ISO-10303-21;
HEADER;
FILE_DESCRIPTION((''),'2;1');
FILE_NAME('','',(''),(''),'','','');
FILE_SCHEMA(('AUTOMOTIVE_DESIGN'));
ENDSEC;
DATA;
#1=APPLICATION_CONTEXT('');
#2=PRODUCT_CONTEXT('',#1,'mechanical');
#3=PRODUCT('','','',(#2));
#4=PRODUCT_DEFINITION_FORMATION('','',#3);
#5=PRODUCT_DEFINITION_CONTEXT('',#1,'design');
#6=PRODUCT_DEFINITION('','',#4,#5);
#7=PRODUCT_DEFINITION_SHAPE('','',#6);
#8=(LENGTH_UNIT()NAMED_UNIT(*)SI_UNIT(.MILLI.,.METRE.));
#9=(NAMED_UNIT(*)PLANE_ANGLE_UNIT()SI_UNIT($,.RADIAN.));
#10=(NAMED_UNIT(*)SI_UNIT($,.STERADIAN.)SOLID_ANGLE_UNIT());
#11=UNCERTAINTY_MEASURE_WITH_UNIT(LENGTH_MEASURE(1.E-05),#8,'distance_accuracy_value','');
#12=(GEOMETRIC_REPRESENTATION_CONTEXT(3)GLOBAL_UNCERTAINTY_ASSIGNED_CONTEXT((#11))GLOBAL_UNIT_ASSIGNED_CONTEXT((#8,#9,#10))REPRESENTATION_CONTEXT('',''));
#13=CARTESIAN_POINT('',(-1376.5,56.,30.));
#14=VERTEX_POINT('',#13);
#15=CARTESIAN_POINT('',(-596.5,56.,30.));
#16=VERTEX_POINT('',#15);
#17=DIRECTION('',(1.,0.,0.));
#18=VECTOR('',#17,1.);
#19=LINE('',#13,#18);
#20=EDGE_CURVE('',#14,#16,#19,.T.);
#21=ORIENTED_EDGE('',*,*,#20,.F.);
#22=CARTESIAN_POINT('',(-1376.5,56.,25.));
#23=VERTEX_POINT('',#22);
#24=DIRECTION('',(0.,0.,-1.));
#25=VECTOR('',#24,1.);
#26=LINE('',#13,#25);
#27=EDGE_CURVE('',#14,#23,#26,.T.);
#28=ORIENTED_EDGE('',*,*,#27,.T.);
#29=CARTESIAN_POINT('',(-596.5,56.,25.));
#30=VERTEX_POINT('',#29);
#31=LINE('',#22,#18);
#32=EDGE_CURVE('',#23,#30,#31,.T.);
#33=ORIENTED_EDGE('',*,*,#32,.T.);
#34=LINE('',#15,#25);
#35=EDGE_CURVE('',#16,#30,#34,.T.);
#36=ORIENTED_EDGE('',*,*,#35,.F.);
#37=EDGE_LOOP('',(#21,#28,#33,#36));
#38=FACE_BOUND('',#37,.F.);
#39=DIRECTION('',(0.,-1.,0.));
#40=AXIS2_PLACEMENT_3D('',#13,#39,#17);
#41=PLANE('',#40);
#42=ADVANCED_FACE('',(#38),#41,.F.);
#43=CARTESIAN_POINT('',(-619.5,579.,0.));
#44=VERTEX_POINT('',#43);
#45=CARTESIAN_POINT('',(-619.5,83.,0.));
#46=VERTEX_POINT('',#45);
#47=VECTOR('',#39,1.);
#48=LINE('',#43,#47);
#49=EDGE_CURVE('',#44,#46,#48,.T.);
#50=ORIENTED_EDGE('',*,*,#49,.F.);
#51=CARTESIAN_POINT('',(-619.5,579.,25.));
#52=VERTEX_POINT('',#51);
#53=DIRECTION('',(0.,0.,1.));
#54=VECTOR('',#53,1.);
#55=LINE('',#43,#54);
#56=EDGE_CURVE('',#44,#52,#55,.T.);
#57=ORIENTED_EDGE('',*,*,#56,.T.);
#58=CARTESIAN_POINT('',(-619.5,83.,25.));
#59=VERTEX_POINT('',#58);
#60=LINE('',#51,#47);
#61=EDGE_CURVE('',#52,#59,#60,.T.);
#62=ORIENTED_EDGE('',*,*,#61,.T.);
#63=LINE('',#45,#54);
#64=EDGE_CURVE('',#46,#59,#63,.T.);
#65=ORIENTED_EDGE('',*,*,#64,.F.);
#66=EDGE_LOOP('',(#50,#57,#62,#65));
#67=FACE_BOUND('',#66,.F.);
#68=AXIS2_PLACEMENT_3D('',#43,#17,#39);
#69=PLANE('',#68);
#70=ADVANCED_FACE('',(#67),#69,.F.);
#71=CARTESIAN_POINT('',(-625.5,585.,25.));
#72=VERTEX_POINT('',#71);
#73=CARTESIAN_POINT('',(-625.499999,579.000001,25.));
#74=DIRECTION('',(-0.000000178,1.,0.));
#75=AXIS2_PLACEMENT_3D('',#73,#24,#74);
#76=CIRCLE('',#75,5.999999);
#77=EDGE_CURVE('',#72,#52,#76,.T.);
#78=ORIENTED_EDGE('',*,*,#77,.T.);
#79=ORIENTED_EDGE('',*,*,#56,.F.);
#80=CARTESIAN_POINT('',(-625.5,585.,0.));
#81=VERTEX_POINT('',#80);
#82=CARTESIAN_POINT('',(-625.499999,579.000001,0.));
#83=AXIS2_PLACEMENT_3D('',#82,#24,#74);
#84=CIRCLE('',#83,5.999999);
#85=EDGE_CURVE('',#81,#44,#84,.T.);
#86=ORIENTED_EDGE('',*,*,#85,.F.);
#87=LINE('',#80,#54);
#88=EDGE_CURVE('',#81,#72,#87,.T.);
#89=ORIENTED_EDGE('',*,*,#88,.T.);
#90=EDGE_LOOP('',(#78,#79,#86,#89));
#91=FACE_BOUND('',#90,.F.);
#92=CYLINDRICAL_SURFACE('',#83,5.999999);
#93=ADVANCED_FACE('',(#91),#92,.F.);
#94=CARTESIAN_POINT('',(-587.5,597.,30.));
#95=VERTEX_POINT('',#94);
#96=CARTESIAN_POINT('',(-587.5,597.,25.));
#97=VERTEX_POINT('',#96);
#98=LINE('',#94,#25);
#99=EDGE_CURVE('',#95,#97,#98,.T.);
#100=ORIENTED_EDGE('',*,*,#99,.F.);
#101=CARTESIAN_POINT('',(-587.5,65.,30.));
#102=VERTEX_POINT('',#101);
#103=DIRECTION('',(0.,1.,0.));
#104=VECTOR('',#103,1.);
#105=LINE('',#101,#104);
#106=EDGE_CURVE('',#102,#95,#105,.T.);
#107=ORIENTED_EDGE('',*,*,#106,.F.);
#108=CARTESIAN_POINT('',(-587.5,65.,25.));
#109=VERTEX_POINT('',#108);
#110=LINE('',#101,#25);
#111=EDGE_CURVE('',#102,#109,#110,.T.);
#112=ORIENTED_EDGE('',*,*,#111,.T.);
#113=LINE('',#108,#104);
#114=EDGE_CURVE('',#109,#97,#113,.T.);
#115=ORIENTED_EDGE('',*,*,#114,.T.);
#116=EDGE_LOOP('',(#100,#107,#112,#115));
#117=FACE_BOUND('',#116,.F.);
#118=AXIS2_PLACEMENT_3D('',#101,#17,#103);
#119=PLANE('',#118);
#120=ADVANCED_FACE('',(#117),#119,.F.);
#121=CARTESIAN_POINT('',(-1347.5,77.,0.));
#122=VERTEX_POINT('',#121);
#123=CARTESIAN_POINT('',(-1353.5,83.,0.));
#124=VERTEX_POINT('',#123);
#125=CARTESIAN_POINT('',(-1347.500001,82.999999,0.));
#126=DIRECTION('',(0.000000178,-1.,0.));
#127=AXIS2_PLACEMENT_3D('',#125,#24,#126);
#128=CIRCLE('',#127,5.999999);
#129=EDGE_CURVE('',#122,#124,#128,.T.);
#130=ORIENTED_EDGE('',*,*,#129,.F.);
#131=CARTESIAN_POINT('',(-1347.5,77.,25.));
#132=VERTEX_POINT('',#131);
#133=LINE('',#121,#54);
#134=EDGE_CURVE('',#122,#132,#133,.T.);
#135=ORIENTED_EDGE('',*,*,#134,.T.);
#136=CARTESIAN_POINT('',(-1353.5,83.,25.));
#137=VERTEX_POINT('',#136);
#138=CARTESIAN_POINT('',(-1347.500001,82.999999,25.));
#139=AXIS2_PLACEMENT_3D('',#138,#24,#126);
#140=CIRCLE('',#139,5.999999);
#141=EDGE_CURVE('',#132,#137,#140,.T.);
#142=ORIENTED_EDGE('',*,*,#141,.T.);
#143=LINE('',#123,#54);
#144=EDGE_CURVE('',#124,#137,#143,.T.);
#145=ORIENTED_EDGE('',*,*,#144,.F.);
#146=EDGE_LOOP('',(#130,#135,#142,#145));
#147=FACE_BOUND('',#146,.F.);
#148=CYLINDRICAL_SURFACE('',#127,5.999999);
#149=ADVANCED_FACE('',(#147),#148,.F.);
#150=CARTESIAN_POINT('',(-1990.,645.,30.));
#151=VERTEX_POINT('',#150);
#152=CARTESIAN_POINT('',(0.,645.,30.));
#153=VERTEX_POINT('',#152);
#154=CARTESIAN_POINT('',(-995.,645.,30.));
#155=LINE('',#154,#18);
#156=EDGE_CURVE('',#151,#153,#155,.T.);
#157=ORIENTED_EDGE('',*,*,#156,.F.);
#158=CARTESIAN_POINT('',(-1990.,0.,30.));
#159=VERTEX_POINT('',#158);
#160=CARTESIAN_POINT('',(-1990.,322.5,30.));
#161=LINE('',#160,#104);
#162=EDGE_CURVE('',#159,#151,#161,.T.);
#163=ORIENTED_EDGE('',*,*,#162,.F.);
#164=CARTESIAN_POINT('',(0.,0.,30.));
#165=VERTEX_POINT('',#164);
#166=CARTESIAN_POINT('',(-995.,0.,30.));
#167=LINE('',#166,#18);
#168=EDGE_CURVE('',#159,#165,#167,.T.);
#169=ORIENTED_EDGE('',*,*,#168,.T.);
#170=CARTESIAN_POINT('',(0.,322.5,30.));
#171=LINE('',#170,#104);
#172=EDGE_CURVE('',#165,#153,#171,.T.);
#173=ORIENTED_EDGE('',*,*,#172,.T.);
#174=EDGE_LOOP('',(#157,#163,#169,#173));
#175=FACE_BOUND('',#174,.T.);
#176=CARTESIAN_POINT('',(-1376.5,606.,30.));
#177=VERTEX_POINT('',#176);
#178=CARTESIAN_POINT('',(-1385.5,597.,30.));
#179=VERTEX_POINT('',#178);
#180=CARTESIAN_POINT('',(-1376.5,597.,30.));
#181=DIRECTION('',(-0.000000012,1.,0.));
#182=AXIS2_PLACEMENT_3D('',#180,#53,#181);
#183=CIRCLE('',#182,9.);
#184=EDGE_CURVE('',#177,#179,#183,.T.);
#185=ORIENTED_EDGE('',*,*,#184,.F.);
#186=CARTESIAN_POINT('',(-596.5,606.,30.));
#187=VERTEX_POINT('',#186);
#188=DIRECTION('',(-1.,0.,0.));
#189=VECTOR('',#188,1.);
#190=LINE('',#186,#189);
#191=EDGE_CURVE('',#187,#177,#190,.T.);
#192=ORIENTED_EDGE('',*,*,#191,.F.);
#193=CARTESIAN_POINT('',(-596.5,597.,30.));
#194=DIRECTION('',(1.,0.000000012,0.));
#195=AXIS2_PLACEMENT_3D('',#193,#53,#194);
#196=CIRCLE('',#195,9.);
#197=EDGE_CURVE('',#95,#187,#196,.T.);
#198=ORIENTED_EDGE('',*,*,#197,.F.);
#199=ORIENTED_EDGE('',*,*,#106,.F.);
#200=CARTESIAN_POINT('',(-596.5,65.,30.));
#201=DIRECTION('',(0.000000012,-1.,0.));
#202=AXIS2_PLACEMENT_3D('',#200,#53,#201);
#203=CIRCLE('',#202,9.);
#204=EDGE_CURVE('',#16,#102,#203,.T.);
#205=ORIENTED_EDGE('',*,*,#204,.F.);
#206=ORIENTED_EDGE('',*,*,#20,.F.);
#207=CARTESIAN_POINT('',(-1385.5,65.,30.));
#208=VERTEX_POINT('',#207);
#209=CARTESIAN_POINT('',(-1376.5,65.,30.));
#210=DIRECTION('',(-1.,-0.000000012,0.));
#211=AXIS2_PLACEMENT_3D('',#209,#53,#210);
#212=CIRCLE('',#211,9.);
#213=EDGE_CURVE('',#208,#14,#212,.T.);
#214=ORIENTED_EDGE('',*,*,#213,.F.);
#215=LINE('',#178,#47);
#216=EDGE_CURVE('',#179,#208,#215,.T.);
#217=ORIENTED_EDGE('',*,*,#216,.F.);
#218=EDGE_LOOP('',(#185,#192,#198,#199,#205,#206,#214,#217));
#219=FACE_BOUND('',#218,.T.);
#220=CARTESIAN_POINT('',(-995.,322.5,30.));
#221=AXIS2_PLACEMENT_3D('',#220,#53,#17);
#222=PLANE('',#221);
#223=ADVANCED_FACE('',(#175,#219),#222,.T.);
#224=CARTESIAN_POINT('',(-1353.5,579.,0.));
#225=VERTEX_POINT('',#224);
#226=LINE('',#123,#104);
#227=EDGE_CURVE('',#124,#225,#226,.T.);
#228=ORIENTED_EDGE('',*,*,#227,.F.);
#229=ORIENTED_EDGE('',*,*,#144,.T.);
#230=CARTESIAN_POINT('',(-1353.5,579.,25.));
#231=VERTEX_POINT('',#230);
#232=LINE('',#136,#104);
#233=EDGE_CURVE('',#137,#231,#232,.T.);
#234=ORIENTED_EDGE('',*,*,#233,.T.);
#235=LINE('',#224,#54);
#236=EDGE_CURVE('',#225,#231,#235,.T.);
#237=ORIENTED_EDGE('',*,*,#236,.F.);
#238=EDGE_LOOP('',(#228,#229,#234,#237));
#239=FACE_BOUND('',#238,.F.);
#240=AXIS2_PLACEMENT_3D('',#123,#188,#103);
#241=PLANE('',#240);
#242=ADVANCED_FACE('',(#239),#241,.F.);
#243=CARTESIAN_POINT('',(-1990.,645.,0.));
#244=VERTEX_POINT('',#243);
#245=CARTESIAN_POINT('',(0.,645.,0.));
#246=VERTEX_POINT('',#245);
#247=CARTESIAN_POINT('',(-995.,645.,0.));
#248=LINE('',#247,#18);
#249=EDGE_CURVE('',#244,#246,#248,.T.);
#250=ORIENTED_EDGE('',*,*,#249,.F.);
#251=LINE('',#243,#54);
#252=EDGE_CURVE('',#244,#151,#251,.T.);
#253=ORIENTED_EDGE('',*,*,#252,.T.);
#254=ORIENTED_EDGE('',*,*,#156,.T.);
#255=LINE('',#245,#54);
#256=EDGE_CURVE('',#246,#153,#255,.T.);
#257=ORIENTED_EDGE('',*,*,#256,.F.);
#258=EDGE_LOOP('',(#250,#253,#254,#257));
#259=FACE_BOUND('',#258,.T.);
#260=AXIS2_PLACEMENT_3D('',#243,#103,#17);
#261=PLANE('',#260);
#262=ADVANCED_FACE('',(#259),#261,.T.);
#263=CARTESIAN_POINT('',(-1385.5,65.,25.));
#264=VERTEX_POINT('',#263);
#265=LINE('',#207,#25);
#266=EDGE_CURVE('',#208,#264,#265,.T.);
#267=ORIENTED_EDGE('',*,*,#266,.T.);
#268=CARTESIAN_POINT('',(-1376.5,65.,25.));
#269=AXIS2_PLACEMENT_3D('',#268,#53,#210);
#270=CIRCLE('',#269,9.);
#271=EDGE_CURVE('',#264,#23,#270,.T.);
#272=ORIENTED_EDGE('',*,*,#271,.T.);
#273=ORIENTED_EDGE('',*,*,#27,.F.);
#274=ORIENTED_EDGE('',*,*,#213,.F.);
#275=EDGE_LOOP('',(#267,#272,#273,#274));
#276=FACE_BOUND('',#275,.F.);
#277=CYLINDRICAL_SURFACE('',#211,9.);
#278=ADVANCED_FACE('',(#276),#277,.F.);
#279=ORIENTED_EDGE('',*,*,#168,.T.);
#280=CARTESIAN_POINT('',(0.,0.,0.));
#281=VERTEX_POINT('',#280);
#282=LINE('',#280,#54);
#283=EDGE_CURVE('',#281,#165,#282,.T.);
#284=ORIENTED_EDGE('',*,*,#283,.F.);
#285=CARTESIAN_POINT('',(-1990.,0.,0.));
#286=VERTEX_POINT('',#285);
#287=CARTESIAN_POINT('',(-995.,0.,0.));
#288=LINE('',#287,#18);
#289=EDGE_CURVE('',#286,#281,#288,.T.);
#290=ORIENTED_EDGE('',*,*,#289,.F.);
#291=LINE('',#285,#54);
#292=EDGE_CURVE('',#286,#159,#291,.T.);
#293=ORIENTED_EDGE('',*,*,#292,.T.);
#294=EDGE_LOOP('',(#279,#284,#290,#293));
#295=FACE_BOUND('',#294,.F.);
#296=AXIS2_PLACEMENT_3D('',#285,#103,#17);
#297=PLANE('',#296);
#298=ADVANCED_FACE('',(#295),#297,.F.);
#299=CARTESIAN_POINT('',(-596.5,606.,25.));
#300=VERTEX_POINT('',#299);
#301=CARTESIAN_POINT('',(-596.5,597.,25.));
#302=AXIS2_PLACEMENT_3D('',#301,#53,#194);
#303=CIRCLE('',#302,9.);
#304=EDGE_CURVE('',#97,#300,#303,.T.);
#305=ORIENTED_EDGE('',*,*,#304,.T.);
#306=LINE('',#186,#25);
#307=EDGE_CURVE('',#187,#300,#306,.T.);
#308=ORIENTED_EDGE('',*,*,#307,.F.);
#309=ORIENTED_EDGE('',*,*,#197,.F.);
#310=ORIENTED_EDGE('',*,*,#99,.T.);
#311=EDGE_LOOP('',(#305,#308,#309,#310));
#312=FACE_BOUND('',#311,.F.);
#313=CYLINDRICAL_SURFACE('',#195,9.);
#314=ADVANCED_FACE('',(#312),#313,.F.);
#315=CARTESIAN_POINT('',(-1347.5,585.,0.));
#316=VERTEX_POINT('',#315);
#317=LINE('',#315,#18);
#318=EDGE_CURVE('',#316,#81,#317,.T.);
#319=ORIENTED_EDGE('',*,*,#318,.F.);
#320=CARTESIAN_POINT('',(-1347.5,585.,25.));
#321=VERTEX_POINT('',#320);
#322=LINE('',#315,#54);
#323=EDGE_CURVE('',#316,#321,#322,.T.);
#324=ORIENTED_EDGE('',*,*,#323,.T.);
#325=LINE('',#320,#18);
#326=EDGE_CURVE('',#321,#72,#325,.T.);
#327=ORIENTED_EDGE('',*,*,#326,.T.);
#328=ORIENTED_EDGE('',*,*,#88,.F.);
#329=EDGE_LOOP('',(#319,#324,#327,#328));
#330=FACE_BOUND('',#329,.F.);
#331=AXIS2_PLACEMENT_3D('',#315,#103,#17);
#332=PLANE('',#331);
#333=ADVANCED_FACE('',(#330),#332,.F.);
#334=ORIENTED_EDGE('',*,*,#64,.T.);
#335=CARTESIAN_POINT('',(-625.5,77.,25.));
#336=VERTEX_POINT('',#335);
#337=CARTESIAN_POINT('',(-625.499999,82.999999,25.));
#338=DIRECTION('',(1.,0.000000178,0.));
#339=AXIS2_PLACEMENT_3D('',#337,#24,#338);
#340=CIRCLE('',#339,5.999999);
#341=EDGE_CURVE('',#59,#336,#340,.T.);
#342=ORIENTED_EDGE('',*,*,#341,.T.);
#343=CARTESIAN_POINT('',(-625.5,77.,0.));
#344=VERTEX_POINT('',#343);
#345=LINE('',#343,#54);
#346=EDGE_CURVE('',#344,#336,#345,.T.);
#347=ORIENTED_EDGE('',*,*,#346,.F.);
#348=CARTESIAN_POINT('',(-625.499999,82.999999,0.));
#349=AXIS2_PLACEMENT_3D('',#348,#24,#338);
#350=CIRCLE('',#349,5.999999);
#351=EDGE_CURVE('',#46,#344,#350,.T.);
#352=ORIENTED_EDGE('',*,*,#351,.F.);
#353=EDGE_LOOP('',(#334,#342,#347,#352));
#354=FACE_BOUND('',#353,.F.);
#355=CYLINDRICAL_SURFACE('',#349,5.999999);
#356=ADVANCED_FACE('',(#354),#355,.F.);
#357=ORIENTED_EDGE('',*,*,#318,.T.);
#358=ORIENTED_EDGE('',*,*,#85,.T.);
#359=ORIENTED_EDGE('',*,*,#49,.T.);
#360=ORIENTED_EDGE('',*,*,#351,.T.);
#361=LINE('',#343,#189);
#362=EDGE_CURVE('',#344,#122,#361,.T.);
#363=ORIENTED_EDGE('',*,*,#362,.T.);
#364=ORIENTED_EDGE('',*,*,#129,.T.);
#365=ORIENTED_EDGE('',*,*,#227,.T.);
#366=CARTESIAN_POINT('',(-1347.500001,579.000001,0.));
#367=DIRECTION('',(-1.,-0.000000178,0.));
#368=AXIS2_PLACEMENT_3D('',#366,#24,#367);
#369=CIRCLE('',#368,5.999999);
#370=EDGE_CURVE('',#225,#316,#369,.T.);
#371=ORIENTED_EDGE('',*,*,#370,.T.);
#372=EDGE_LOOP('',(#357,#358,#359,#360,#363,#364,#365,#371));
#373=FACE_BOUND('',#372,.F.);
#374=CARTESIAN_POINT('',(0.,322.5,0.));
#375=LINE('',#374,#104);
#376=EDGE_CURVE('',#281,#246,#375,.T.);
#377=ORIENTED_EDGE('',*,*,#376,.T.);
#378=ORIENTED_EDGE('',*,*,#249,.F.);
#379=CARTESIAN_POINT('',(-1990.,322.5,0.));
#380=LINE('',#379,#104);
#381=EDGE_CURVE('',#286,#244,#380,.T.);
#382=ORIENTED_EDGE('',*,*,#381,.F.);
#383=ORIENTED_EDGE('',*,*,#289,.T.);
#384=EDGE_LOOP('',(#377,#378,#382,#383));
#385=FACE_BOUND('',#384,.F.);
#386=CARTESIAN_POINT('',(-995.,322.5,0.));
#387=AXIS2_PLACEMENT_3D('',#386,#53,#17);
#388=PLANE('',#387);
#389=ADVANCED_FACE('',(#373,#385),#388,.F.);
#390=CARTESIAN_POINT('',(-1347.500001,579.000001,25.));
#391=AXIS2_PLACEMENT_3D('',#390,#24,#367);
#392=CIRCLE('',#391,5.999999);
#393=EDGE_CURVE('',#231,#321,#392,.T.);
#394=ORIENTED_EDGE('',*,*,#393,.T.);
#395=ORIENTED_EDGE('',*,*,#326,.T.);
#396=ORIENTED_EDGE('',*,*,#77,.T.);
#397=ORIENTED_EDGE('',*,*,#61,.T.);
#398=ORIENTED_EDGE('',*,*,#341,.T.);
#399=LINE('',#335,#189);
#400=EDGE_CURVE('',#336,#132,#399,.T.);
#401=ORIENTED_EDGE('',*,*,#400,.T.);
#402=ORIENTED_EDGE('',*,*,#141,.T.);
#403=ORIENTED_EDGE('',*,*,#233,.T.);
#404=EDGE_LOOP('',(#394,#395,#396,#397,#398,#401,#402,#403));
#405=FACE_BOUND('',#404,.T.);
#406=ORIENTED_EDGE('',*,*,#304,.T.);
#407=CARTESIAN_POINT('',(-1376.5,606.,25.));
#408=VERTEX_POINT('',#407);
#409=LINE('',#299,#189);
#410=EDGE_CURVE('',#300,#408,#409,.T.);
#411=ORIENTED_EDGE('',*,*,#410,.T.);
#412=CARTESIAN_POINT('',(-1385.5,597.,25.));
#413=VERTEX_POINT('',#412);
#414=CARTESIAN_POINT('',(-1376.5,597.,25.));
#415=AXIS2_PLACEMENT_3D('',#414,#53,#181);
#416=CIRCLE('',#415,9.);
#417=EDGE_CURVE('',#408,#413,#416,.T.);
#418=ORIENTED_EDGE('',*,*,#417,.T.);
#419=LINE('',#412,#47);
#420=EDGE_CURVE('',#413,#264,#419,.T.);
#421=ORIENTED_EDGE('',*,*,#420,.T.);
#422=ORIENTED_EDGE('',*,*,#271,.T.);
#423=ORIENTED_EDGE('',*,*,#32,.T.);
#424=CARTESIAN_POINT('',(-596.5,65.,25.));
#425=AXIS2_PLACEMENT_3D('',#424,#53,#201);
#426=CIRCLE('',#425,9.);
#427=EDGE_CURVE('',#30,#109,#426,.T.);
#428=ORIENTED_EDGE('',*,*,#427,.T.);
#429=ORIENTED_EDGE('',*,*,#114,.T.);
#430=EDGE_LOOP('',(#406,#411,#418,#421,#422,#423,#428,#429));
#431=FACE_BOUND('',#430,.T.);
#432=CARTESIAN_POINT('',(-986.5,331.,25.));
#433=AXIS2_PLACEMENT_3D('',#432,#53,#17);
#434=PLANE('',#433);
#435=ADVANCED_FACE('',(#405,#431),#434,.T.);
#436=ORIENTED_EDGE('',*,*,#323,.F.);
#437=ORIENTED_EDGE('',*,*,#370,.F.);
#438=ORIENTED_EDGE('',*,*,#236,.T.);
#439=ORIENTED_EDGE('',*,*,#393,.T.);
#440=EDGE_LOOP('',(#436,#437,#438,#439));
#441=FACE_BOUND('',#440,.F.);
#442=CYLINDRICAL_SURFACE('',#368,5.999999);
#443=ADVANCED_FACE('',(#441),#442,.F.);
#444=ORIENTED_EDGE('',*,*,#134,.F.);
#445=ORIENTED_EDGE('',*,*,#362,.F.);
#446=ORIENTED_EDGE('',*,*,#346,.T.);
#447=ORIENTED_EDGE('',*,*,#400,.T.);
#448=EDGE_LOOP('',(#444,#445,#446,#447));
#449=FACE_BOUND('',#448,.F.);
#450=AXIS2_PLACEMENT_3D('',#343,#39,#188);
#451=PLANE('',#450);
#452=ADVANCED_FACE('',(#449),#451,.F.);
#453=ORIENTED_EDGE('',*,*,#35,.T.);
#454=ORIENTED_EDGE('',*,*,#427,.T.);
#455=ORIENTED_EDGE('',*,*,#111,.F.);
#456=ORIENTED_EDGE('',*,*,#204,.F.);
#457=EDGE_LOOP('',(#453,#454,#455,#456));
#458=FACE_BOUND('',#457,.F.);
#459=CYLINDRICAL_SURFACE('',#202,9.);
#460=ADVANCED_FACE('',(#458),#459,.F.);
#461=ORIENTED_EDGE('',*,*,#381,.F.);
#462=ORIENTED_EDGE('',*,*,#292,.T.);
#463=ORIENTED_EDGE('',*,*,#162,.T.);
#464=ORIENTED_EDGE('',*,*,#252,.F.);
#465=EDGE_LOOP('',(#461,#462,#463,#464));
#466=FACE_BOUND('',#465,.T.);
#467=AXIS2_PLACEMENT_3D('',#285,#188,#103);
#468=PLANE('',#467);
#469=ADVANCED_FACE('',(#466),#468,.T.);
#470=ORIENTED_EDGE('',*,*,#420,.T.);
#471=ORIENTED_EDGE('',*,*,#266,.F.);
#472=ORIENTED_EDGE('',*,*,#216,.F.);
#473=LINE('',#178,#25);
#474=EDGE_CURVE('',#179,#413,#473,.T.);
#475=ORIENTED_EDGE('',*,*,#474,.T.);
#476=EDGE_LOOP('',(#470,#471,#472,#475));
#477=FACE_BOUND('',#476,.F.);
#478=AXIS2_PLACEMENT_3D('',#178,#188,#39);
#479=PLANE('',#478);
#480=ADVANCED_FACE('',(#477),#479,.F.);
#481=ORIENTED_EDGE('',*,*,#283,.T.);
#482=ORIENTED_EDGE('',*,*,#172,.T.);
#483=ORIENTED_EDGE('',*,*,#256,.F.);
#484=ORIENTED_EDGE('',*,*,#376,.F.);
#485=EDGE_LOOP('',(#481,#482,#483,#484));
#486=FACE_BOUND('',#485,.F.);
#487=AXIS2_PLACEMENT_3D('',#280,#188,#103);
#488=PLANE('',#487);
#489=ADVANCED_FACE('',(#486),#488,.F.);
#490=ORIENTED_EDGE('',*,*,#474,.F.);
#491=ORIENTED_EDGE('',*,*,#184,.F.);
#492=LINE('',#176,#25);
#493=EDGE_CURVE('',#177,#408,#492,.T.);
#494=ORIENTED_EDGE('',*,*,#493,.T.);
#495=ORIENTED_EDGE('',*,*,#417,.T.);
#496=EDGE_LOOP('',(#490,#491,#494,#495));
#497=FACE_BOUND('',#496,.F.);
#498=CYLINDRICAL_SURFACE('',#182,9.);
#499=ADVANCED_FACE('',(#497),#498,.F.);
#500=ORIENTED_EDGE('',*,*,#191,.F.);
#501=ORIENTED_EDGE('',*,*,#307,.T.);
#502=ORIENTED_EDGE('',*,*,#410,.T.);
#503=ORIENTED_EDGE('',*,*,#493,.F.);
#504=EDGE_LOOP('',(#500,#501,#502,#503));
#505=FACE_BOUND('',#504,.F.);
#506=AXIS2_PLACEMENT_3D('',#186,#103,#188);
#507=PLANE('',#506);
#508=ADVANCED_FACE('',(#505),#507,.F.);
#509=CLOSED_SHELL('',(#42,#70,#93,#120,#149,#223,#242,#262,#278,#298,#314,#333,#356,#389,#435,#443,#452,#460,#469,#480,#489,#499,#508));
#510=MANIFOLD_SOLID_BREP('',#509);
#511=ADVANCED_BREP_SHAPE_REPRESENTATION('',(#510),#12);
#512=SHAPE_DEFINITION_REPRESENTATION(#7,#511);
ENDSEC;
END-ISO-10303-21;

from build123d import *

# Parameters (mm, degrees)
F0_W     = 1990
F0_H     = 645
F1_DEPTH = 30
F3_DEPTH = 5


with BuildPart() as f1:
    # F0 (on Top) → F1 (new body)
    with BuildSketch(Plane.XY):
        with Locations((-995, 322.5)):
            Rectangle(F0_W, F0_H)
        with BuildLine():
            ThreePointArc((-1353.5, 579), (-1351.742641, 583.242641), (-1347.5, 585))
            Line((-1347.5, 585), (-625.5, 585))
            ThreePointArc((-625.5, 585), (-621.257359, 583.242641), (-619.5, 579))
            Line((-619.5, 579), (-619.5, 83))
            ThreePointArc((-619.5, 83), (-621.257359, 78.757359), (-625.5, 77))
            Line((-625.5, 77), (-1347.5, 77))
            ThreePointArc((-1347.5, 77), (-1351.742641, 78.757359), (-1353.5, 83))
            Line((-1353.5, 83), (-1353.5, 579))
        make_face(mode=Mode.SUBTRACT)
    extrude(amount=F1_DEPTH)

    # F2 (on face) → F3 (cut)
    with BuildSketch(Plane.XY.offset(30)):
        with BuildLine():
            Line((-587.5, 65), (-587.5, 597))
            ThreePointArc((-587.5, 597), (-590.136039, 603.363961), (-596.5, 606))
            Line((-596.5, 606), (-1376.5, 606))
            ThreePointArc((-1376.5, 606), (-1382.863961, 603.363961), (-1385.5, 597))
            Line((-1385.5, 597), (-1385.5, 65))
            ThreePointArc((-1385.5, 65), (-1382.863961, 58.636039), (-1376.5, 56))
            Line((-1376.5, 56), (-596.5, 56))
            ThreePointArc((-596.5, 56), (-590.136039, 58.636039), (-587.5, 65))
        make_face()
        with BuildLine():
            Line((-625.5, 77), (-1347.5, 77))
            ThreePointArc((-1347.5, 77), (-1351.742641, 78.757359), (-1353.5, 83))
            Line((-1353.5, 83), (-1353.5, 579))
            ThreePointArc((-1353.5, 579), (-1351.742641, 583.242641), (-1347.5, 585))
            Line((-1347.5, 585), (-625.5, 585))
            ThreePointArc((-625.5, 585), (-621.257359, 583.242641), (-619.5, 579))
            Line((-619.5, 579), (-619.5, 83))
            ThreePointArc((-619.5, 83), (-621.257359, 78.757359), (-625.5, 77))
        make_face(mode=Mode.SUBTRACT)
    extrude(amount=-F3_DEPTH, mode=Mode.SUBTRACT)


solid = f1.part
